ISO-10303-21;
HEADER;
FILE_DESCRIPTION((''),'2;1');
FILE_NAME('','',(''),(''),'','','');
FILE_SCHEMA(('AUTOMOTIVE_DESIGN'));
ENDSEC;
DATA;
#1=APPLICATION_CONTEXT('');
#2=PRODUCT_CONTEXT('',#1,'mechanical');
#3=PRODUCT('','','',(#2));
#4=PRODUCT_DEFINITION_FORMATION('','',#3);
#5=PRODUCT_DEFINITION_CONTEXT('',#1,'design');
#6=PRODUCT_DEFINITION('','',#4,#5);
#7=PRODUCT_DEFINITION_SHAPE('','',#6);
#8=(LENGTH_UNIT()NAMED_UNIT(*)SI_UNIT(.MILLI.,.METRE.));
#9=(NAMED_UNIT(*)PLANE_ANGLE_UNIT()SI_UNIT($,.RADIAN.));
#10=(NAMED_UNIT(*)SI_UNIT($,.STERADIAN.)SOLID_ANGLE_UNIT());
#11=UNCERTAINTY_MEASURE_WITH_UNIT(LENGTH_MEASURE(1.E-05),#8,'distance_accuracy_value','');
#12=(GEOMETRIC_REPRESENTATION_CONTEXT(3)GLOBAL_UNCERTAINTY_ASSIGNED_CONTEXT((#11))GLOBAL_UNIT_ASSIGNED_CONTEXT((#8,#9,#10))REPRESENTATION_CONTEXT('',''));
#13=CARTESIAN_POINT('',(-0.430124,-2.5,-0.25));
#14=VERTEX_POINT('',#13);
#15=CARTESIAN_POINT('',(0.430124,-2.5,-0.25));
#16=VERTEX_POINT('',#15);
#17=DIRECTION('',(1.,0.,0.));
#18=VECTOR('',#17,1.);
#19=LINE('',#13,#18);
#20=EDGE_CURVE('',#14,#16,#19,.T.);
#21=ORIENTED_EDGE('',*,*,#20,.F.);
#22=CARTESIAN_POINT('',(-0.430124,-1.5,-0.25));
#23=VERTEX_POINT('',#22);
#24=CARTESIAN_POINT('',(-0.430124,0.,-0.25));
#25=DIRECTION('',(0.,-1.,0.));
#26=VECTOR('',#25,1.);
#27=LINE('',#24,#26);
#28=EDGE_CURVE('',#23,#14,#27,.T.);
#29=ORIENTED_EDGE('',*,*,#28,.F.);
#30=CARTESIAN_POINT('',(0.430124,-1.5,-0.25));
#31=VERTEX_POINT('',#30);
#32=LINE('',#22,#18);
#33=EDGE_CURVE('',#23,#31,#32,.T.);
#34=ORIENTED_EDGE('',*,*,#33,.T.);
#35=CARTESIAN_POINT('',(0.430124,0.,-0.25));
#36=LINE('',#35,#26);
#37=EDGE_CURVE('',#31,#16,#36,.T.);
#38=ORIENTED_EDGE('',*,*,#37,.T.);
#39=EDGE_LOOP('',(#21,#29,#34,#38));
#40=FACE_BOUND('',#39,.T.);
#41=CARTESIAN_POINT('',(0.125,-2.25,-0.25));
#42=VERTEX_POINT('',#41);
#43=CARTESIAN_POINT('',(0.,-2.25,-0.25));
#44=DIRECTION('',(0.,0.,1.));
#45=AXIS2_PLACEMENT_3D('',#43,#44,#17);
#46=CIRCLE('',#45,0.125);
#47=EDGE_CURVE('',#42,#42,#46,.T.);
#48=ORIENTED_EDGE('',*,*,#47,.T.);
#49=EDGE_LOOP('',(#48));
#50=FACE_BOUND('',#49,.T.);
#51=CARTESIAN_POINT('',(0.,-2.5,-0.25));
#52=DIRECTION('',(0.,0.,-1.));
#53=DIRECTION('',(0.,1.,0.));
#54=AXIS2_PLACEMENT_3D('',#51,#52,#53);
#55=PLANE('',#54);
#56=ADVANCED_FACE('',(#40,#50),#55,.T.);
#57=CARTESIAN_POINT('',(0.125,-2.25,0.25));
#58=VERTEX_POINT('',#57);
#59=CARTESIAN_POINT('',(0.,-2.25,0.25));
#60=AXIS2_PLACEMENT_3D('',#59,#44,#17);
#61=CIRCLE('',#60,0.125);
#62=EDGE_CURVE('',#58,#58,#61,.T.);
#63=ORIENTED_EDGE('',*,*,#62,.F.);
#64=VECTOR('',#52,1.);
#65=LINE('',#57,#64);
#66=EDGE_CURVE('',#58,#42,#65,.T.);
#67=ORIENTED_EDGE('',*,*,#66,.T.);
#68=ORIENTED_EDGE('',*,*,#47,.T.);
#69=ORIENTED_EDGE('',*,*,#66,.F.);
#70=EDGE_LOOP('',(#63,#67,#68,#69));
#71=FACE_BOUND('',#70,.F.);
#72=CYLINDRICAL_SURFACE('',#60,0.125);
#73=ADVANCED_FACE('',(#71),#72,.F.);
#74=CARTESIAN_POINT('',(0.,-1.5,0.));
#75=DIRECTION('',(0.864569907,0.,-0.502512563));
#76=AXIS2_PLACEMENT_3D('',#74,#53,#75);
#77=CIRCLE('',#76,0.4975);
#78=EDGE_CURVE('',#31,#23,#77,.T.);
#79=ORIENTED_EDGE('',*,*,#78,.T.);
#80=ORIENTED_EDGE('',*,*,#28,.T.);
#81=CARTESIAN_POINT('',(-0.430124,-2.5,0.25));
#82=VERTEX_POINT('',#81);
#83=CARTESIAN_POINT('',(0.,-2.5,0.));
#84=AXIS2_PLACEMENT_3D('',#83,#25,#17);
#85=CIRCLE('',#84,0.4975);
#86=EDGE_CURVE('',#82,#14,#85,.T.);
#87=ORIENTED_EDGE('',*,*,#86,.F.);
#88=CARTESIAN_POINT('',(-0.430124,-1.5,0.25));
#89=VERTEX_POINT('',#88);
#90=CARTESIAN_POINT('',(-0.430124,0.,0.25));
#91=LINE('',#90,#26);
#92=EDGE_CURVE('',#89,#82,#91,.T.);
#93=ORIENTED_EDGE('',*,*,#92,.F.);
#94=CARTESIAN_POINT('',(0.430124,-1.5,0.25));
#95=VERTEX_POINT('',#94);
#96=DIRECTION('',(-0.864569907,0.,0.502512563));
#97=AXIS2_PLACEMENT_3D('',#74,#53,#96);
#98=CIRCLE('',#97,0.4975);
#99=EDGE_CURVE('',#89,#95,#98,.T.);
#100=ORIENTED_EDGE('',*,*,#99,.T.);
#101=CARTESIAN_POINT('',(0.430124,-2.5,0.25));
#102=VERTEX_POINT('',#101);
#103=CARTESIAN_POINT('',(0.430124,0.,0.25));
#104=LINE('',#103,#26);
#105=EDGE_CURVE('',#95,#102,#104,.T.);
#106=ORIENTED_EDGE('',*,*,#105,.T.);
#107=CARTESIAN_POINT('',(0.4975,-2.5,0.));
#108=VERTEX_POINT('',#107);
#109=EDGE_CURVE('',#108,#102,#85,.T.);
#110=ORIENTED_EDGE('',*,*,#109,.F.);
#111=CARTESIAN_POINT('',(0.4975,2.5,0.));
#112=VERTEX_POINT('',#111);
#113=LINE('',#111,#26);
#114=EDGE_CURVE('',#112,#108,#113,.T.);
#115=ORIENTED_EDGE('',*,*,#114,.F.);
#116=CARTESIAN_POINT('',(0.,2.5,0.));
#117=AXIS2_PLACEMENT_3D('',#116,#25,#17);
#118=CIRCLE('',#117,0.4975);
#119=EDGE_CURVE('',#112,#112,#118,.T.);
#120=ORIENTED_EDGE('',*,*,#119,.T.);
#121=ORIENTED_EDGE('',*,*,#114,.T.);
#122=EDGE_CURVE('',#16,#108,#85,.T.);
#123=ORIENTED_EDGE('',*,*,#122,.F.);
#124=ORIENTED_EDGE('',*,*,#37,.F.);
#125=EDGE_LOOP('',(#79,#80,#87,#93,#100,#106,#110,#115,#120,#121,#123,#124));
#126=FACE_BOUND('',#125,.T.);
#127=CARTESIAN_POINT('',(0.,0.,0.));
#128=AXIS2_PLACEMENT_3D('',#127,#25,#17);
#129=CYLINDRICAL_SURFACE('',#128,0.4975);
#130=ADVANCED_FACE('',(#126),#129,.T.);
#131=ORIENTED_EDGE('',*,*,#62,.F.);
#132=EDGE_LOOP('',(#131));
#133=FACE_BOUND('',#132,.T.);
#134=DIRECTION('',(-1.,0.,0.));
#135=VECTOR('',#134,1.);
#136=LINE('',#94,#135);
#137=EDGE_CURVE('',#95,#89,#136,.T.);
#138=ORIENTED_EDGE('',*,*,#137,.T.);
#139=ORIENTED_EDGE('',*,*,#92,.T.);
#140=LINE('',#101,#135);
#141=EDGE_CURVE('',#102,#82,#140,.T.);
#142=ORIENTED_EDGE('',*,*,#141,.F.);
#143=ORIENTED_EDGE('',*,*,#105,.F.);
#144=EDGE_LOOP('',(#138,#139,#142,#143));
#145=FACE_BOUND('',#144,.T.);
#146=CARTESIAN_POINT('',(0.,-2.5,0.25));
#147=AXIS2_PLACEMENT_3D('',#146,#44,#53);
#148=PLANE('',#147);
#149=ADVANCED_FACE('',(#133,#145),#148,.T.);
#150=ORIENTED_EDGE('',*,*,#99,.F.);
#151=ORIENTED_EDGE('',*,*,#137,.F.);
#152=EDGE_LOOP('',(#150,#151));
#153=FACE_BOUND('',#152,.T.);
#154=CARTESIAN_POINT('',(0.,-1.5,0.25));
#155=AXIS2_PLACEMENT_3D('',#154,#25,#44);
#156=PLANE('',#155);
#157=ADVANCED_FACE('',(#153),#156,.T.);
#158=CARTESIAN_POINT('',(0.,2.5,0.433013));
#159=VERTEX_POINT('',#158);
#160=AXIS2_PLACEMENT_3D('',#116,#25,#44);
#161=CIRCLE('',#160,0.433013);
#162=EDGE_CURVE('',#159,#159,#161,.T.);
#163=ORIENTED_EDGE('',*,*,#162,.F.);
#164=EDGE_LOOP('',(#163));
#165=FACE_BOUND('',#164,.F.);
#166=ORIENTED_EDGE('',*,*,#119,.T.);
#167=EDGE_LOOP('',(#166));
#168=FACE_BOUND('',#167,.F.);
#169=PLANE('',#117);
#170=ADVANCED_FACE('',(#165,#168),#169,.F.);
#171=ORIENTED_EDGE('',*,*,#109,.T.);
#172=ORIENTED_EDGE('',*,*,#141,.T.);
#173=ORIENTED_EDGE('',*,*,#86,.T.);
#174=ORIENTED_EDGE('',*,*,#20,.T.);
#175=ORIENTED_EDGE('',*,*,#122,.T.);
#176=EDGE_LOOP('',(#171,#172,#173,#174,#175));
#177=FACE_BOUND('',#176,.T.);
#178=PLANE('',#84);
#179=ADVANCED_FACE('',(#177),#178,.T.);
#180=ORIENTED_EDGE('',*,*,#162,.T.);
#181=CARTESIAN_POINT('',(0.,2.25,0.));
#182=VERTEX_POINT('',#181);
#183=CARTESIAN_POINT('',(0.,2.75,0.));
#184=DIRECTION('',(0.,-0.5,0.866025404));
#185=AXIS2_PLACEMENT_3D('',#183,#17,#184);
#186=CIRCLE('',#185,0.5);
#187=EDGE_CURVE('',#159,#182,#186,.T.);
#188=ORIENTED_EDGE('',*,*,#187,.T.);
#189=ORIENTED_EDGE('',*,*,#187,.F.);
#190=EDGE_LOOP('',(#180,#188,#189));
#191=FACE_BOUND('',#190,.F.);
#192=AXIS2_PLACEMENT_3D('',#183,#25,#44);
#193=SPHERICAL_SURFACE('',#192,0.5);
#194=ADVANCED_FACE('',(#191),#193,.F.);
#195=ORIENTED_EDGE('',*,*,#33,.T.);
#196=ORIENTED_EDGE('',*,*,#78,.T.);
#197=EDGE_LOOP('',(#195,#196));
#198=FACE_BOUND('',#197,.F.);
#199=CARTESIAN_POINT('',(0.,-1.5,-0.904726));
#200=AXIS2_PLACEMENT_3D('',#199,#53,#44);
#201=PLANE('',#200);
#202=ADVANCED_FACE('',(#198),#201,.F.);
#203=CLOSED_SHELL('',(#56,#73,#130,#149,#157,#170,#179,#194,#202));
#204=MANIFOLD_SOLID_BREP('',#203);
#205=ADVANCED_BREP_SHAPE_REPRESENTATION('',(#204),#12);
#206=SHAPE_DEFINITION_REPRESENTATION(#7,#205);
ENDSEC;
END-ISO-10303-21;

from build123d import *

# Parameters (mm, degrees)
F0_R          = 0.4975
F1_DEPTH      = 2.5
F2_W          = 1
F2_H          = 0.4777815267
F2_H_2        = 0.6547255735
F3_DEPTH      = 0.4985
F3_DEPTH_BACK = 0.4985
F6_R          = 0.125
F7_DEPTH      = 25


with BuildPart() as f1:
    # F0 (on Front) → F1 (new body, symmetric)
    with BuildSketch(Plane.XZ):
        Circle(F0_R)
    extrude(amount=F1_DEPTH, both=True)

    # F2 (on Right) → F3 (cut, two sides)
    with BuildSketch(Plane.YZ) as f3_sk:
        with Locations((-2, 0.4888907634)):
            Rectangle(F2_W, F2_H)
        with Locations((-2, -0.5773627867)):
            Rectangle(F2_W, F2_H_2)
    extrude(amount=-F3_DEPTH, mode=Mode.SUBTRACT)
    extrude(f3_sk.sketch, amount=F3_DEPTH_BACK, mode=Mode.SUBTRACT)

    # F4 (on Right) → F5 (revolve, cut)
    with BuildSketch(Plane.YZ):
        with BuildLine():
            Line((2.5, 0), (2.5, 0.4330127019))
            ThreePointArc((2.5, 0.4330127019), (2.3169872981, 0.25), (2.25, 0))
            Line((2.25, 0), (2.5, 0))
        make_face()
    revolve(axis=Axis((0, 2.375, 0), (0, -1, 0)), mode=Mode.SUBTRACT)

    # F6 (on face) → F7 (cut)
    with BuildSketch(Plane.XY.offset(0.25)):
        with Locations((0, -2.25)):
            Circle(F6_R)
    extrude(amount=-F7_DEPTH, mode=Mode.SUBTRACT)


solid = f1.part
